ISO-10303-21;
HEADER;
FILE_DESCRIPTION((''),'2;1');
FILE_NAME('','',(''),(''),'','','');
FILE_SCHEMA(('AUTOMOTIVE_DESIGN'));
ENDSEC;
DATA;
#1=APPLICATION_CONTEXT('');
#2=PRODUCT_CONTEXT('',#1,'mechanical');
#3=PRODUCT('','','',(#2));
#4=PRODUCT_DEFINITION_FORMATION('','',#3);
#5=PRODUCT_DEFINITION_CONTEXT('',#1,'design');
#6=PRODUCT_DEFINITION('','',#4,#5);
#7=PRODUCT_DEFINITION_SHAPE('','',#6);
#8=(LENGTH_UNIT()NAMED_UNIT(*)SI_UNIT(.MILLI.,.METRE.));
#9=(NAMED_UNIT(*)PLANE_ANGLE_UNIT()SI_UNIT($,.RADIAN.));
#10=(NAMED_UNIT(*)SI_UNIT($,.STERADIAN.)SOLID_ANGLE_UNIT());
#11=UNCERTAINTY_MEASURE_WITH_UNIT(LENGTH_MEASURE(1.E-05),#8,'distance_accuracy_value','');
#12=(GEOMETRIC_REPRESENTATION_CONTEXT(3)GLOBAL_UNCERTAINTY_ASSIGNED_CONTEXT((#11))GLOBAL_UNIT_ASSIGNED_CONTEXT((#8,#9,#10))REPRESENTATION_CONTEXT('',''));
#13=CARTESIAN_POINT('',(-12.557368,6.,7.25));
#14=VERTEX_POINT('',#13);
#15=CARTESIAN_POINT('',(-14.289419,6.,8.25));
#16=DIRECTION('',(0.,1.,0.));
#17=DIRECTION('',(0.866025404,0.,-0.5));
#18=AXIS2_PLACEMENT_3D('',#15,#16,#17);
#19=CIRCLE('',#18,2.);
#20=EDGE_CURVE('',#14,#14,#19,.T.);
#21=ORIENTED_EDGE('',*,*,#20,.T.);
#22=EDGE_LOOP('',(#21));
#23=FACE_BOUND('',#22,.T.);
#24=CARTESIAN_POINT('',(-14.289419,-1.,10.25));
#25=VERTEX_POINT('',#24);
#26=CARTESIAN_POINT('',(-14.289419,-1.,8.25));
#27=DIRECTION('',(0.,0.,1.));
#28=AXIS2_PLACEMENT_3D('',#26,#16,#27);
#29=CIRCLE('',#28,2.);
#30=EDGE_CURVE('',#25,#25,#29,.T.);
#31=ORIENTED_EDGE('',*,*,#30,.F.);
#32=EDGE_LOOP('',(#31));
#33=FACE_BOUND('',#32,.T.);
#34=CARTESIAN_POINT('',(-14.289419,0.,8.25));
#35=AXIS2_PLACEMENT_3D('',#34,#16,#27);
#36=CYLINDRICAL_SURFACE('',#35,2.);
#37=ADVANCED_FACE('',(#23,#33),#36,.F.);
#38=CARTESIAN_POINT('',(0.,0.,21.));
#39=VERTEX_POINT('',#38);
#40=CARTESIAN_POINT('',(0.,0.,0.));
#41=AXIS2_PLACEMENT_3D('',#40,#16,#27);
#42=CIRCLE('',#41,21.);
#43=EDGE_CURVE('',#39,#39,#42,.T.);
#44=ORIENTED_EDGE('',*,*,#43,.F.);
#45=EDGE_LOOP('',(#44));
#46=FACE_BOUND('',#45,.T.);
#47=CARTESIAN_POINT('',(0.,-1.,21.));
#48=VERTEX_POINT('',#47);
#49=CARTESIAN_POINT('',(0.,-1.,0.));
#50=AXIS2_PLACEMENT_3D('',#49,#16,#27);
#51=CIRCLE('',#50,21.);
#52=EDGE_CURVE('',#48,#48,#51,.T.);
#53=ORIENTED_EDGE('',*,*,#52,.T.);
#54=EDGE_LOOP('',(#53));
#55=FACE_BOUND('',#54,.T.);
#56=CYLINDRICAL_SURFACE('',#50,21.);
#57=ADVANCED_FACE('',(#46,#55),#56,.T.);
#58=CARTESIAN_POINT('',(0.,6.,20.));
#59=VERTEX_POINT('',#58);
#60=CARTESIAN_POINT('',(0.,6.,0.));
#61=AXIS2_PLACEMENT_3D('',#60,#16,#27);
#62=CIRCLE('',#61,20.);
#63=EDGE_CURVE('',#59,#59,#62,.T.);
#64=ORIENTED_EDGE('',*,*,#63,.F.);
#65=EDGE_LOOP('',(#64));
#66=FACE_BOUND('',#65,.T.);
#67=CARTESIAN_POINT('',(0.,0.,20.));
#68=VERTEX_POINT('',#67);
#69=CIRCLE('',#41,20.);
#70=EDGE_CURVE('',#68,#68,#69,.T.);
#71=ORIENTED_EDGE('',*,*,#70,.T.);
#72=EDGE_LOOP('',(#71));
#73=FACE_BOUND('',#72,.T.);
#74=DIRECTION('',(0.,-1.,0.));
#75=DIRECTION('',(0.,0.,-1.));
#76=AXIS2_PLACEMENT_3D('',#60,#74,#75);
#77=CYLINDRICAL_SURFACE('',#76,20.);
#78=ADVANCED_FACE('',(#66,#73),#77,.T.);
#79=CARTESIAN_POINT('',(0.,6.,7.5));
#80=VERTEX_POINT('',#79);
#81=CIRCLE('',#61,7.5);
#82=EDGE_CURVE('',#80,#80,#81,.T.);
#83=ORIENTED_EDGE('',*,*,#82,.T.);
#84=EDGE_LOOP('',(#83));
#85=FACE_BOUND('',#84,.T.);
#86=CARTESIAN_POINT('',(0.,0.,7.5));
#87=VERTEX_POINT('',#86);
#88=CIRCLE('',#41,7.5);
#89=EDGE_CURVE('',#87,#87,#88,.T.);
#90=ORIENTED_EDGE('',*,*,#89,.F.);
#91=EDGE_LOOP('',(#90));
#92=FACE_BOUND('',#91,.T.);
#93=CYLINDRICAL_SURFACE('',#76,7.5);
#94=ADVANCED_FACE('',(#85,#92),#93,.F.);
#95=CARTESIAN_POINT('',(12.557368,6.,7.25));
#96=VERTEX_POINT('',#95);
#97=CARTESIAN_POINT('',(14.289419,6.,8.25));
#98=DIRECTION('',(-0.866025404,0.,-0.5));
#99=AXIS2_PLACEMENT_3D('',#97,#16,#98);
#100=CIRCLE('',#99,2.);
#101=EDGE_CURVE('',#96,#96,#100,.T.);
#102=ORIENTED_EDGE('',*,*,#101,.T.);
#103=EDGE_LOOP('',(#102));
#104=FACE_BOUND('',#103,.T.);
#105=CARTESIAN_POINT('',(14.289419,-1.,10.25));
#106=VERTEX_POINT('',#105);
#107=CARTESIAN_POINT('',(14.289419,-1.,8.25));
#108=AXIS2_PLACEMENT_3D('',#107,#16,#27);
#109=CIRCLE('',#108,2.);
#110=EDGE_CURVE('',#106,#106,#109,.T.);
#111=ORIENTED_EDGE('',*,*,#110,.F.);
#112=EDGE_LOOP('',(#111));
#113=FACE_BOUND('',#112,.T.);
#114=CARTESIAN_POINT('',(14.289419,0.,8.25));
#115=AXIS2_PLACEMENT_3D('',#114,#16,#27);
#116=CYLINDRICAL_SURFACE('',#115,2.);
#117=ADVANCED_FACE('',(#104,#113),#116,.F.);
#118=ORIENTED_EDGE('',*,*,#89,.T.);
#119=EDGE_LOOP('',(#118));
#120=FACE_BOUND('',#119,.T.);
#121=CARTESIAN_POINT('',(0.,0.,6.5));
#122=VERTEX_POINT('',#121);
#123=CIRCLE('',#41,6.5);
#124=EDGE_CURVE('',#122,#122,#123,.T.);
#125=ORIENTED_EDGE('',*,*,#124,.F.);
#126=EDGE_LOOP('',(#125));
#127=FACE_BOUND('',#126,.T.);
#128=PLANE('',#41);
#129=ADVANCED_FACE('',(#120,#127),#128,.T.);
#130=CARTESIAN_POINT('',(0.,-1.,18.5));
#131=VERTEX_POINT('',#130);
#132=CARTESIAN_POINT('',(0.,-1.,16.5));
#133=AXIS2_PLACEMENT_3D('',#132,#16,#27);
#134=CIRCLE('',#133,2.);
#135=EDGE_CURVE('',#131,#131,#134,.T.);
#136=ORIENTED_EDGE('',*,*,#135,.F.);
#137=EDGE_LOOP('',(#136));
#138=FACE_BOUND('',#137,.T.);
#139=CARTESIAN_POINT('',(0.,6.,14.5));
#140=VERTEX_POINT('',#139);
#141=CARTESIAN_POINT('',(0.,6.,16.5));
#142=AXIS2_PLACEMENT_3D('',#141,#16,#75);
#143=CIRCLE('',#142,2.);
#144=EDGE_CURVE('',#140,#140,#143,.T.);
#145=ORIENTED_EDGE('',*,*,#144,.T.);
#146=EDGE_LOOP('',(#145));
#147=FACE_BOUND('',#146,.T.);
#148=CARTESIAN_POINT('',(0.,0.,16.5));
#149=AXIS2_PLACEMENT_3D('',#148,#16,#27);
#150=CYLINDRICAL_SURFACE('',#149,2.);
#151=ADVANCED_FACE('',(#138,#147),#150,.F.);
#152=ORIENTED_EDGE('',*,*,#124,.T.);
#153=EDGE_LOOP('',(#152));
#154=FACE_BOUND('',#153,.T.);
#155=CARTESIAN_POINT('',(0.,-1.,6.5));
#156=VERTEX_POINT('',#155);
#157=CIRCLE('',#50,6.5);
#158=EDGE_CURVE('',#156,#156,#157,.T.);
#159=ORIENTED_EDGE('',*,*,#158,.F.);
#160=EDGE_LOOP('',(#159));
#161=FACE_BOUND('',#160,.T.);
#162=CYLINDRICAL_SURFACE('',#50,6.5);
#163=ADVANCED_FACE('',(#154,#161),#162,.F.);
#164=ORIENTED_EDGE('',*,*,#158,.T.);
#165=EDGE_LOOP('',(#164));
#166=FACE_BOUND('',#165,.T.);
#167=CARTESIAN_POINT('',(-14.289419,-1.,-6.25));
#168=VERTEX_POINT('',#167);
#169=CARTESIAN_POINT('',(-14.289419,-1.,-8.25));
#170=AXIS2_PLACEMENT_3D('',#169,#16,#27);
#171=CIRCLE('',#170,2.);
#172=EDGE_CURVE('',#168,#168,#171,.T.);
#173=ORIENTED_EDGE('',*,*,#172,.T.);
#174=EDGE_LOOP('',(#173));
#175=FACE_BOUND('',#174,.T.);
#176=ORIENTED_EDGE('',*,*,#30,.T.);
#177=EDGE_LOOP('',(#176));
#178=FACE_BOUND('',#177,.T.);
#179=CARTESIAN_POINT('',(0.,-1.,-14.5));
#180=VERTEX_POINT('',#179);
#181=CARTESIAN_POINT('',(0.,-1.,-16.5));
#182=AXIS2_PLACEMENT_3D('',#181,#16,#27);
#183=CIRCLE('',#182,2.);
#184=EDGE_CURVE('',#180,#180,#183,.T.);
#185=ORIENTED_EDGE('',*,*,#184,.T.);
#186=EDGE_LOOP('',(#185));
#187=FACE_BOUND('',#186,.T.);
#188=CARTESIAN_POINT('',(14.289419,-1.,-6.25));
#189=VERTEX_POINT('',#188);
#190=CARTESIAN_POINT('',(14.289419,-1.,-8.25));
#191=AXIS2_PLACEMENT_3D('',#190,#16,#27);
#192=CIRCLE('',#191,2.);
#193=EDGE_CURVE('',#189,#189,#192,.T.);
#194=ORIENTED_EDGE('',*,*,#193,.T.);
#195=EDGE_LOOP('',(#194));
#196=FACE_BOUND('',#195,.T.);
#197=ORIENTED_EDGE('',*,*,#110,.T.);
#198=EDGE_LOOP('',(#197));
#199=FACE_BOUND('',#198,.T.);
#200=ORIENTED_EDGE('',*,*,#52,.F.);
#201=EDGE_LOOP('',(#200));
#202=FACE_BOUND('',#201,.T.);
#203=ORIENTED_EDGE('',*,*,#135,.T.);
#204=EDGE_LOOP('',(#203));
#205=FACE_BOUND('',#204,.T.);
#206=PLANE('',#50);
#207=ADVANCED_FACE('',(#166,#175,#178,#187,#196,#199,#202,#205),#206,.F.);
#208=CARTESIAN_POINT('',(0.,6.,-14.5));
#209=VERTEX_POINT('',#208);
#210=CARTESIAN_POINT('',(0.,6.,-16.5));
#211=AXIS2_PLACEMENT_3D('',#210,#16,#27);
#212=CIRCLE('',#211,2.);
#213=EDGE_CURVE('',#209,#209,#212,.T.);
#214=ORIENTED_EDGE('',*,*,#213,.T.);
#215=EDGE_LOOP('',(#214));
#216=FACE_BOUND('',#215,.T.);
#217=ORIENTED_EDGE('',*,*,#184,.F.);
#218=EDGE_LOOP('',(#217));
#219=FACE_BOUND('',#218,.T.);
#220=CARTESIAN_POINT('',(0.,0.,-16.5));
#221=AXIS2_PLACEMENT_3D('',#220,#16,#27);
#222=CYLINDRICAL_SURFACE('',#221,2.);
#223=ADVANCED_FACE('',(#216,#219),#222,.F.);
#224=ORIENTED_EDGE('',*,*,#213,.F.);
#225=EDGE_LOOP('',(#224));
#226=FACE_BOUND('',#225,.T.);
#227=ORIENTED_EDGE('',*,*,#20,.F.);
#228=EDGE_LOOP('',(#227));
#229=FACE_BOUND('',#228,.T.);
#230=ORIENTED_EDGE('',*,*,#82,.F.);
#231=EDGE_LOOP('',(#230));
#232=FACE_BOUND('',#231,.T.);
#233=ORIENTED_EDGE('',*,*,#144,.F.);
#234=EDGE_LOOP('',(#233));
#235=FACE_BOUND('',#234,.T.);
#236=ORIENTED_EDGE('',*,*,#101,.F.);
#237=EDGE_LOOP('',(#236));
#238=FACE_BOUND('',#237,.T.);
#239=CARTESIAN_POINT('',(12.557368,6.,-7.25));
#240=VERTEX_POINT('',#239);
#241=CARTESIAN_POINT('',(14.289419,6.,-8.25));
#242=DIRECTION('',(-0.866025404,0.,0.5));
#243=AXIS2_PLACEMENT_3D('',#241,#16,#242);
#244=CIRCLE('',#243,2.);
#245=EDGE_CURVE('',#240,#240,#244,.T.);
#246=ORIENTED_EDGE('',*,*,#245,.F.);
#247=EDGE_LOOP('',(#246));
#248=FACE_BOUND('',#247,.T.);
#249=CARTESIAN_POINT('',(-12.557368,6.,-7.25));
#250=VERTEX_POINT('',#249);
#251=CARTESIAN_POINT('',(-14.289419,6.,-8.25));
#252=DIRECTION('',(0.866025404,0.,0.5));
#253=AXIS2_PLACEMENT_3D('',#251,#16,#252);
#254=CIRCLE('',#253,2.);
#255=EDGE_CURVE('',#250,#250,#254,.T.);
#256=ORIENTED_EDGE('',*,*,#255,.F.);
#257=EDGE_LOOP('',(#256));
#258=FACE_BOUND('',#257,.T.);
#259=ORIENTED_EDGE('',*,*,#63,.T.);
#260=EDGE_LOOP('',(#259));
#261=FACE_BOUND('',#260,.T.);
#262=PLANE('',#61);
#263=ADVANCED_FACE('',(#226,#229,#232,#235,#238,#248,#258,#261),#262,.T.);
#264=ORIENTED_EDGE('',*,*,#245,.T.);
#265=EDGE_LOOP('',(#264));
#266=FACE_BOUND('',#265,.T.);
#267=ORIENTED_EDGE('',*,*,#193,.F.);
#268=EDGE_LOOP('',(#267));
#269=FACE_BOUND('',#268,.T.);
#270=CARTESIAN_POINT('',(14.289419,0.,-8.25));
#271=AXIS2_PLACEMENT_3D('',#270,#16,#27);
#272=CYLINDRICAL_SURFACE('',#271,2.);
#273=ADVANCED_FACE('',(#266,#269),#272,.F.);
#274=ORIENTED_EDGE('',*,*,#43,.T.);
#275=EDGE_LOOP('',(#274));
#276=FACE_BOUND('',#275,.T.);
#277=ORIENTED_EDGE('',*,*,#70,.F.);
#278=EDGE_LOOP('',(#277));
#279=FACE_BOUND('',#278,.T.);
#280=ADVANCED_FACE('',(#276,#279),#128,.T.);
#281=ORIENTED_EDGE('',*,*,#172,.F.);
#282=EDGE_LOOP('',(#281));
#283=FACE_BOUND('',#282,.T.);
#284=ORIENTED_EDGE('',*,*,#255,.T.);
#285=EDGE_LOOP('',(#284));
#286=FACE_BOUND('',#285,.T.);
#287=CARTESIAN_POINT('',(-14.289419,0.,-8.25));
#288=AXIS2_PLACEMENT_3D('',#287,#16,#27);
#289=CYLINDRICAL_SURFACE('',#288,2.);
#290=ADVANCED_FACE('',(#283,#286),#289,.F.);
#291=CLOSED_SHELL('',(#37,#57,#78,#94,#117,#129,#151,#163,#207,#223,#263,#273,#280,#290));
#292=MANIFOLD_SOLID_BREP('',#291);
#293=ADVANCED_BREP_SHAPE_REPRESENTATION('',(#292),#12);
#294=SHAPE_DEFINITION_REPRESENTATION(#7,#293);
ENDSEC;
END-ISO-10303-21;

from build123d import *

# Parameters (mm, degrees)
SKETCH1_R           = 20
SKETCH1_R_2         = 7.5
BOSS_EXTRUDE1_DEPTH = 6
SKETCH2_R           = 2
CUT_EXTRUDE1_DEPTH  = 7
CIRPATTERN2_COUNT   = 6
SKETCH3_R           = 21
SKETCH3_R_2         = 6.5
SKETCH3_R_3         = 2
BOSS_EXTRUDE2_DEPTH = 1


with BuildPart() as part:
    # Sketch1 → Boss-Extrude1 (new body)
    with BuildSketch(Plane(origin=(0, 0, 0), x_dir=(1, 0, 0), z_dir=(0, 1, 0))):
        Circle(SKETCH1_R)
        Circle(SKETCH1_R_2, mode=Mode.SUBTRACT)
    extrude(amount=BOSS_EXTRUDE1_DEPTH)

    # Sketch2 → Cut-Extrude1 (cut, through all)
    with BuildSketch(Plane(origin=(0, 6, 0), x_dir=(1, 0, 0), z_dir=(0, 1, 0))):
        with Locations((0, 16.5)):
            Circle(SKETCH2_R)
    cut_extrude1 = extrude(amount=-CUT_EXTRUDE1_DEPTH, mode=Mode.SUBTRACT)

    # CirPattern2: Cut-Extrude1 ×6 about axis
    cirpattern2_axis = Axis((0, 0, 0), (0, 1, 0))
    for i in range(1, CIRPATTERN2_COUNT):
        add(cut_extrude1.rotate(cirpattern2_axis, i * 360 / CIRPATTERN2_COUNT), mode=Mode.SUBTRACT)

    # Sketch3 → Boss-Extrude2 (add)
    with BuildSketch(Plane(origin=(0, 0, 0), x_dir=(1, 0, 0), z_dir=(0, 1, 0))):
        Circle(SKETCH3_R)
        Circle(SKETCH3_R_2, mode=Mode.SUBTRACT)
        with Locations((-14.289419162, -8.25)):
            Circle(SKETCH3_R_3, mode=Mode.SUBTRACT)
        with Locations((0, -16.5)):
            Circle(SKETCH3_R_3, mode=Mode.SUBTRACT)
        with Locations((14.289419162, -8.25)):
            Circle(SKETCH3_R_3, mode=Mode.SUBTRACT)
        with Locations((14.289419162, 8.25)):
            Circle(SKETCH3_R_3, mode=Mode.SUBTRACT)
        with Locations((0, 16.5)):
            Circle(SKETCH3_R_3, mode=Mode.SUBTRACT)
        with Locations((-14.289419162, 8.25)):
            Circle(SKETCH3_R_3, mode=Mode.SUBTRACT)
    extrude(amount=-BOSS_EXTRUDE2_DEPTH)


solid = part.part
